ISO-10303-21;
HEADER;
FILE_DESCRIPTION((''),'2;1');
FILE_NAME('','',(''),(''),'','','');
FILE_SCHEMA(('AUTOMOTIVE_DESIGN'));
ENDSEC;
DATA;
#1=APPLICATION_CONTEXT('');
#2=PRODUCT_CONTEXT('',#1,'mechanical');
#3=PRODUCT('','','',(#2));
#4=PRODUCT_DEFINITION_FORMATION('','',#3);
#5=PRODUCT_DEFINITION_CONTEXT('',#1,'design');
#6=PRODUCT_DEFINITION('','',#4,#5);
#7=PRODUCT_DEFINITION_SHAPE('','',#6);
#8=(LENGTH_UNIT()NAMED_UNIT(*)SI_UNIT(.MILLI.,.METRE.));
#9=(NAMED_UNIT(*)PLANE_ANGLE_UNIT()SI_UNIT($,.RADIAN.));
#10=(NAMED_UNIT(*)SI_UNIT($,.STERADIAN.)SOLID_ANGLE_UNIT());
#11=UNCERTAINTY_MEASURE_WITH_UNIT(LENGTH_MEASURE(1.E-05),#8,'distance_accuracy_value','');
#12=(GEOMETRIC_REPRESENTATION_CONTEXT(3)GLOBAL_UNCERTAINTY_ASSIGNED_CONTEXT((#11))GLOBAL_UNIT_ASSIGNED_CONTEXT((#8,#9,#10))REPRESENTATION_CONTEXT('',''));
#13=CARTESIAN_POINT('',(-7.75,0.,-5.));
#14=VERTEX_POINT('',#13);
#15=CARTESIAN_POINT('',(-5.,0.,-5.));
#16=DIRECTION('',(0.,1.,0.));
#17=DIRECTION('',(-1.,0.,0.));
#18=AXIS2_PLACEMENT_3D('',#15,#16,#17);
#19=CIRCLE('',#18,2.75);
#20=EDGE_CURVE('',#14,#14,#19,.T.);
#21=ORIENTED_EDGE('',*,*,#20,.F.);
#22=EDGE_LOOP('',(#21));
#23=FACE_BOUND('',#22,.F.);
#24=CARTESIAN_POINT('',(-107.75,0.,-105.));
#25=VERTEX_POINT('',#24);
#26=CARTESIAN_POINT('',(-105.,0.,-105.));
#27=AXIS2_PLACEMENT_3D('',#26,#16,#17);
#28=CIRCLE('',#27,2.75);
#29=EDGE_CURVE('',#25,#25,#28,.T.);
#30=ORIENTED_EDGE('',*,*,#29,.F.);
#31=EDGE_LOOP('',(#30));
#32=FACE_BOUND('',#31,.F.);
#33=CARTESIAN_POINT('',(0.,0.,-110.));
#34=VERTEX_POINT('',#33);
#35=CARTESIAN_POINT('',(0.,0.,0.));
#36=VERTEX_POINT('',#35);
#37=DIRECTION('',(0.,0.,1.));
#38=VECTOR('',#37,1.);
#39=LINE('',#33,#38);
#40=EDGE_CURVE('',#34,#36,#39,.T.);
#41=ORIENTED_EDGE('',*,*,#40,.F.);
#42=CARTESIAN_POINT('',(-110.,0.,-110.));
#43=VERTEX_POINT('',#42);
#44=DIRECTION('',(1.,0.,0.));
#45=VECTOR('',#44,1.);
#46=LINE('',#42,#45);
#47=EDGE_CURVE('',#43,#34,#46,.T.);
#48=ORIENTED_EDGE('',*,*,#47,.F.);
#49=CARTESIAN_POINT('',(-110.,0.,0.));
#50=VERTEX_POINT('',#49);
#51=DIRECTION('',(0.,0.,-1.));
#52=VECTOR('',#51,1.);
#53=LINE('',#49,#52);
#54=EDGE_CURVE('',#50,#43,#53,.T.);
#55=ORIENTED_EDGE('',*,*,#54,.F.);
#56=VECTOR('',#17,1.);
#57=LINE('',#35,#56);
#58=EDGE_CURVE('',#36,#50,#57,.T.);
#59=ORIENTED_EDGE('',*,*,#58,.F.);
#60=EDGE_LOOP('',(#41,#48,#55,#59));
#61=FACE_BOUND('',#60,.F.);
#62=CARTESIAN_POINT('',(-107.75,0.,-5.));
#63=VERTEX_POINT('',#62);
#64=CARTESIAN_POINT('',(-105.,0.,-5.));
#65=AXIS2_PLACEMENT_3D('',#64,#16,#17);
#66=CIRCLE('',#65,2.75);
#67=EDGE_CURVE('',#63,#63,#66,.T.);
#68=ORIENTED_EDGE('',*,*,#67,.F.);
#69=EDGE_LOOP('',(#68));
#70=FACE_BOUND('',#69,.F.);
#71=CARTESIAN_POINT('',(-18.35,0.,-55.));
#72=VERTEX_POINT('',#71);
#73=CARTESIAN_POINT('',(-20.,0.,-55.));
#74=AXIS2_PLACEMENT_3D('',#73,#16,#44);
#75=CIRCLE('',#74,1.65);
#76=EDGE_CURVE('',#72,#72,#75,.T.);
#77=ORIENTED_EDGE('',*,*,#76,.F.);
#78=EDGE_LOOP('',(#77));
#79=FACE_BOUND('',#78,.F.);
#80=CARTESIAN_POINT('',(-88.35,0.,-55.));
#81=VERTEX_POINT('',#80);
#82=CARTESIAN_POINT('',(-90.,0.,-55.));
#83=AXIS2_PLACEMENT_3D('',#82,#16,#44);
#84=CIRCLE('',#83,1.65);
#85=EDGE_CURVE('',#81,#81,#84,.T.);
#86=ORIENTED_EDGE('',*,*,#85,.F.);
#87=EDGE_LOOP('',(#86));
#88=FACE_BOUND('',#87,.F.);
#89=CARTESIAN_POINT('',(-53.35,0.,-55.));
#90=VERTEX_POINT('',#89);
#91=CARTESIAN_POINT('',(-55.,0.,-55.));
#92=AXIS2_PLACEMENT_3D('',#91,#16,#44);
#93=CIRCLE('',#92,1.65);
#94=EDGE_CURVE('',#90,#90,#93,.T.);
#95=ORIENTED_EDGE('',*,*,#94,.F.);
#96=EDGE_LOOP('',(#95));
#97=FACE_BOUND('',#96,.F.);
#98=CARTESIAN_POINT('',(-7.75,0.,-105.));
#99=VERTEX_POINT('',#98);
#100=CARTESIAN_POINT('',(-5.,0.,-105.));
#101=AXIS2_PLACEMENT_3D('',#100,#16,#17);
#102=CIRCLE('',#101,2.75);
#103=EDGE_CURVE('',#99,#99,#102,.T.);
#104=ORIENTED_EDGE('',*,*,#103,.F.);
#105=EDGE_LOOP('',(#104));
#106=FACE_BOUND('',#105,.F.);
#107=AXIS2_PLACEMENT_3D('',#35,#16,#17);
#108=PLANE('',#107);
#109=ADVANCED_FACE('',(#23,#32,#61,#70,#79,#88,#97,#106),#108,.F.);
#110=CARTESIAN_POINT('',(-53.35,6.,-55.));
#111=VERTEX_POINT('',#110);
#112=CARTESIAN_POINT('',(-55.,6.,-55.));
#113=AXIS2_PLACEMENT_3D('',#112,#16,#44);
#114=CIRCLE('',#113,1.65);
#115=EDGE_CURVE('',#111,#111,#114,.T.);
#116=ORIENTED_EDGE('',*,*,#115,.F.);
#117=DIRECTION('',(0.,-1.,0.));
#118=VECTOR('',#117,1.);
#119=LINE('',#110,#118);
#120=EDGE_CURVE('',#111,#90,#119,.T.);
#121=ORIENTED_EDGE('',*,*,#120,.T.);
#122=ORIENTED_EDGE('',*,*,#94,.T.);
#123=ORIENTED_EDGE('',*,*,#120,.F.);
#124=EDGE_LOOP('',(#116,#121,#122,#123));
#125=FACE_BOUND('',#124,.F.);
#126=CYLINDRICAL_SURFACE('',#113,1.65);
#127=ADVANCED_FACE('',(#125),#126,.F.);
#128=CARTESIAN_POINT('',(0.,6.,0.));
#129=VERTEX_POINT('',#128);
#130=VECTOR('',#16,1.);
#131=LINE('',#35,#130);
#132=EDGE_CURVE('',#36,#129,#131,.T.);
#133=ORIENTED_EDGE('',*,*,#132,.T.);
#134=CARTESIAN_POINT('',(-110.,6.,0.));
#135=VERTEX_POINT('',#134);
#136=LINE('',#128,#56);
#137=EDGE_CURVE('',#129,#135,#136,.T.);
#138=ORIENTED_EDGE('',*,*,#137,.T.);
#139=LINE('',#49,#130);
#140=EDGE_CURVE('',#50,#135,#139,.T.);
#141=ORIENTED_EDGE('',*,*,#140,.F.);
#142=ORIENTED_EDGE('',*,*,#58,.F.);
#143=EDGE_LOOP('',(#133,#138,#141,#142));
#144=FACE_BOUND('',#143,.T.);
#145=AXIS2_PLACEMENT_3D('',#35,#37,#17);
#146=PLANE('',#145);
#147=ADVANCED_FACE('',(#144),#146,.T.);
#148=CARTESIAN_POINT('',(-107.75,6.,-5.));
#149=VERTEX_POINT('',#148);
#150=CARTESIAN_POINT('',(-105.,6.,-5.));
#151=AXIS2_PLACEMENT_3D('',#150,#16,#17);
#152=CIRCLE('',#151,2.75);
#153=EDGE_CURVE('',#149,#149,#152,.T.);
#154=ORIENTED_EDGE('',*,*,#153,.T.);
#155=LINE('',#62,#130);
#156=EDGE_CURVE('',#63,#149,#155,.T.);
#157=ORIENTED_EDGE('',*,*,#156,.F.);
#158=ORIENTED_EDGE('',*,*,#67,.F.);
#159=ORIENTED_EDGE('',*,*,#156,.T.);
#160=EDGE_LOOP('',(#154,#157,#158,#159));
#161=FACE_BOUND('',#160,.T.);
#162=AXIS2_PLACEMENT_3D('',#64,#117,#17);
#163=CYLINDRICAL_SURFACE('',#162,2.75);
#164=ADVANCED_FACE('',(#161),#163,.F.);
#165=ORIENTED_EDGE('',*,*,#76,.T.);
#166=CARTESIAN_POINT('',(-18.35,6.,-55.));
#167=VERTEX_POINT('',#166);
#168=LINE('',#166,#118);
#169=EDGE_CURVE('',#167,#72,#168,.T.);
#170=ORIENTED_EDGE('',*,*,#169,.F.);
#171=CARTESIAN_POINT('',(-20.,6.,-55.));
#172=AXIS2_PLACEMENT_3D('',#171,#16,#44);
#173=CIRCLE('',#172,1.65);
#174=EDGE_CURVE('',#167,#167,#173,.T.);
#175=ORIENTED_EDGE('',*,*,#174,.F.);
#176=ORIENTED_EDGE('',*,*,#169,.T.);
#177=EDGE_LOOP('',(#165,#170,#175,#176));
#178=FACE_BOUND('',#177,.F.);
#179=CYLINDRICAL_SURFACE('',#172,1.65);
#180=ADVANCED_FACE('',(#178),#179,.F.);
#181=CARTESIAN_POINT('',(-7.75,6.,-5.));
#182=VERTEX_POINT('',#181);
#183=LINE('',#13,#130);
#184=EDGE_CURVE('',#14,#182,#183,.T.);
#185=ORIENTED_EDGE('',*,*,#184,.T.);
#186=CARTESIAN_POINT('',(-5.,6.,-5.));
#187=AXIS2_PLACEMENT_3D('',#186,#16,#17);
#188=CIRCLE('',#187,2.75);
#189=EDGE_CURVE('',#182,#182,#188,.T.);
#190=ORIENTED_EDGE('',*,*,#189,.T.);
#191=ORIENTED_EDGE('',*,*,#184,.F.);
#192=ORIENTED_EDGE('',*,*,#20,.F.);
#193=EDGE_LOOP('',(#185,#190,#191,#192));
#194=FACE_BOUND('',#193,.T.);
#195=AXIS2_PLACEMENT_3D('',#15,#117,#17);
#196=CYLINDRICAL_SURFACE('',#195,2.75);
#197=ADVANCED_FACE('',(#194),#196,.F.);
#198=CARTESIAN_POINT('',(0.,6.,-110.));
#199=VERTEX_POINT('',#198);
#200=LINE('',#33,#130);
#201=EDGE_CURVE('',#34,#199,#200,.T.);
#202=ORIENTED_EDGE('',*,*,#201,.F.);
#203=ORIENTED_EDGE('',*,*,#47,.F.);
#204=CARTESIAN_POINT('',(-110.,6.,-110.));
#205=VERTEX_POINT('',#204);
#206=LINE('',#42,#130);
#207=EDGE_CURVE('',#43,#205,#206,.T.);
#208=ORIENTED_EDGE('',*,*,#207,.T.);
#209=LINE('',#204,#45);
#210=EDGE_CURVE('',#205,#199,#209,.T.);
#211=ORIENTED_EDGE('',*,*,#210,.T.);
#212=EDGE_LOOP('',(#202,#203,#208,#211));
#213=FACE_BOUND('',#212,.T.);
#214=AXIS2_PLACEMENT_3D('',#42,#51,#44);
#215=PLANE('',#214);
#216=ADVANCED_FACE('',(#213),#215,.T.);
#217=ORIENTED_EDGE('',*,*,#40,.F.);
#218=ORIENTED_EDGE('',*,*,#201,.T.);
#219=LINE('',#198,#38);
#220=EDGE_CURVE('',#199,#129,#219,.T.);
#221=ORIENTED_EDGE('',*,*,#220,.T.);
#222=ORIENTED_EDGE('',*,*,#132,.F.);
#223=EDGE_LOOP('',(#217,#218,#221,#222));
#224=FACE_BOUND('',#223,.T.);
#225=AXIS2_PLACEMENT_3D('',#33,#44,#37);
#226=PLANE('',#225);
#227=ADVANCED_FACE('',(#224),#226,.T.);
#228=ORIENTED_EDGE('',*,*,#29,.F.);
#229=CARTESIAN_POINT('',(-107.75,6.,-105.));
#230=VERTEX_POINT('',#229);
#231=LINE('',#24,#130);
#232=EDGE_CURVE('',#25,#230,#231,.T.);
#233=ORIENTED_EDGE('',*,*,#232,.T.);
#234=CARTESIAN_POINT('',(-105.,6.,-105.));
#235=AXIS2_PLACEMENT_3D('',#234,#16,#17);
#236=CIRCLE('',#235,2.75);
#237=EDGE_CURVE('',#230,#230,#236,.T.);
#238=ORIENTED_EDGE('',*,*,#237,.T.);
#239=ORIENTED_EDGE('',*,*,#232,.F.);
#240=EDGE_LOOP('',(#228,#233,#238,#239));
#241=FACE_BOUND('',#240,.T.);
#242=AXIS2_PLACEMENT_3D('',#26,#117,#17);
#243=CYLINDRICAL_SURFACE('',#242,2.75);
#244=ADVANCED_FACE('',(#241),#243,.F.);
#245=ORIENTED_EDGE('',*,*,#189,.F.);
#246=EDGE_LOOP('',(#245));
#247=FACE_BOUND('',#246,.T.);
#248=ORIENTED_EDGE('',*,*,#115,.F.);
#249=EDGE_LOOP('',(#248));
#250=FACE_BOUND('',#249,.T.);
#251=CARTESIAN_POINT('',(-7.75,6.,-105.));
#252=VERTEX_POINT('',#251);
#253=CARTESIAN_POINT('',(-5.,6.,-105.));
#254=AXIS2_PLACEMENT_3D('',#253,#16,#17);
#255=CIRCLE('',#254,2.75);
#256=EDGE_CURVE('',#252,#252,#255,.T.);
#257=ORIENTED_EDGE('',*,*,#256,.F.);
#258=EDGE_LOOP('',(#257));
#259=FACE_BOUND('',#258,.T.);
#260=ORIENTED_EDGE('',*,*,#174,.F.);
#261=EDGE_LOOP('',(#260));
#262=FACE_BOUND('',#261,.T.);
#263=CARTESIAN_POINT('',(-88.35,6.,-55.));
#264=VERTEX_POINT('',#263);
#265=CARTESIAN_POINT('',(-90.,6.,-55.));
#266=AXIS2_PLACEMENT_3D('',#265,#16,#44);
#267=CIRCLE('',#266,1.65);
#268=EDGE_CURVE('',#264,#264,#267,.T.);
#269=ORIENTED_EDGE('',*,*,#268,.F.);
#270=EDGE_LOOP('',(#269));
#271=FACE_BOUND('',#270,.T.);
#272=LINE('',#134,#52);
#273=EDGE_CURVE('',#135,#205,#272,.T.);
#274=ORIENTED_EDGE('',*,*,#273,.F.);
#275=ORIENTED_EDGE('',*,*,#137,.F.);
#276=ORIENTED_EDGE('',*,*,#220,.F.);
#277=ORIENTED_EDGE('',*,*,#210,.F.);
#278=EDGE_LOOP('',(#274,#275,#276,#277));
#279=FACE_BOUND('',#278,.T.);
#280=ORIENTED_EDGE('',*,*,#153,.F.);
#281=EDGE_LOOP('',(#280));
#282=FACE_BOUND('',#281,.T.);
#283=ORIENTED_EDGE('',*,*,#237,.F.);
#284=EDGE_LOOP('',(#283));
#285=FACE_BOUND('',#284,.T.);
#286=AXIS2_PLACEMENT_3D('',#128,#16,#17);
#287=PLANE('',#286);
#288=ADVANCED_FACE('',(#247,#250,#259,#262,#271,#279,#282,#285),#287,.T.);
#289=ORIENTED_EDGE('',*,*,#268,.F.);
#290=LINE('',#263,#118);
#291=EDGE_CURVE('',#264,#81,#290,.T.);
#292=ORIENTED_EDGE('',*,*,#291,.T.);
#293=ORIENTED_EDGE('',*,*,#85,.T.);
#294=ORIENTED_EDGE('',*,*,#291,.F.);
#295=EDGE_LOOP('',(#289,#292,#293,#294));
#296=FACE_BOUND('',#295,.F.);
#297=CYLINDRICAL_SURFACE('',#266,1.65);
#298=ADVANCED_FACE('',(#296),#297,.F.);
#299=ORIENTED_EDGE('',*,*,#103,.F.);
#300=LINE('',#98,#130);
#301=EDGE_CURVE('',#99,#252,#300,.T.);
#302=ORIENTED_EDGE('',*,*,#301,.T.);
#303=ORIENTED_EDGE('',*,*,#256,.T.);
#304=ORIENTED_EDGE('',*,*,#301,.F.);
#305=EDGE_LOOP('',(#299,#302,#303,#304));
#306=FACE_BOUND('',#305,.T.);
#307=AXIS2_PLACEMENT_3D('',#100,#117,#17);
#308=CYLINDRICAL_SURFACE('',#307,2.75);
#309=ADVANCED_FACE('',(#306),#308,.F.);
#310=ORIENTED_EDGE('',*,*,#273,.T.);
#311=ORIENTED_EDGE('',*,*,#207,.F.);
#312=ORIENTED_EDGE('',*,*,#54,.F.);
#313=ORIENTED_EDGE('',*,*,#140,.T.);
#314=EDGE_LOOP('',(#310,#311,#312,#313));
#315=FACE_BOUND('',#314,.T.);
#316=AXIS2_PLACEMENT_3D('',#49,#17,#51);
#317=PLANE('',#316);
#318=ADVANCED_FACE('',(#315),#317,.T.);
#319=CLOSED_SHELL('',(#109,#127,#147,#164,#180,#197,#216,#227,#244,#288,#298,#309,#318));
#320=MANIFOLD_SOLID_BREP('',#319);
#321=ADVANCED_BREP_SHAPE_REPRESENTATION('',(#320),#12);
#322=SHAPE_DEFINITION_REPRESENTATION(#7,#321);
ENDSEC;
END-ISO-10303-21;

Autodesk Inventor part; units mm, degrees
ref_plane "YZ Plane" through (0, 0, 0) normal (1, 0, 0) x (0, 1, 0)
ref_plane "XZ Plane" through (0, 0, 0) normal (0, 1, 0) x (-1, 0, 0)
ref_plane "XY Plane" through (0, 0, 0) normal (0, 0, 1) x (1, 0, 0)
sketch "Sketch1" plane through (0, 0, 0) normal (0, 1, 0) x (-1, 0, 0)
  line L0 (0, 0) -> (110, 0)
  line L1 (110, 0) -> (110, -110)
  line L2 (110, -110) -> (0, -110)
  line L3 (0, -110) -> (0, 0)
  circle A0 centre (5, -5) radius 2.75
  line L4 (55, 0) -> (55, -110) construction
  line L5 (0, -55) -> (110, -55) construction
  circle A1 centre (5, -105) radius 2.75
  circle A2 centre (105, -5) radius 2.75
  circle A3 centre (105, -105) radius 2.75
  dimension "d0" = 110
  dimension "d1" = 110
  dimension "d2" = 5.5
  dimension "d5" = 100
  dimension "d8" = 100
  dimension "d11" = 5
  dimension "d12" = 5
extrude "Extrusion1" add sketch "Sketch1" along normal blind 6
sketch "Sketch2" plane through (0, 6, 0) normal (0, 1, 0) x (1, 0, 0)
  line L0 (0, 0) -> (0, 110) construction
  line L1 (0, 55) -> (-110, 55) construction
  line L2 (-110, 110) -> (-110, 0) construction
  line L3 (-110, 0) -> (0, 0) construction
  line L4 (-55, 0) -> (-55, 110) construction
  line L5 (0, 110) -> (-110, 110) construction
  circle A0 centre (-20, 55) radius 1.65
  circle A1 centre (-55, 55) radius 1.65
  circle A2 centre (-90, 55) radius 1.65
  point P0 (-110, 7.25)
  point P1 (-2.25, 110)
  dimension "d18" = 3.3
  dimension "d22" = 20
  dimension "d36" = 35
extrude "Extrusion2" cut sketch "Sketch2" against normal blind 6
thread "Thread1" size "M4x0.7" class "6H" standard "ANSI Metric M Profile" full length
thread "Thread2" size "M3.5x0.6" class "6H" standard "ANSI Metric M Profile" full length
thread "Thread3" size "M3.5x0.6" class "6H" standard "ANSI Metric M Profile" full length
properties part number "Deska izolovaná" material "PC/ABS Plastic"
